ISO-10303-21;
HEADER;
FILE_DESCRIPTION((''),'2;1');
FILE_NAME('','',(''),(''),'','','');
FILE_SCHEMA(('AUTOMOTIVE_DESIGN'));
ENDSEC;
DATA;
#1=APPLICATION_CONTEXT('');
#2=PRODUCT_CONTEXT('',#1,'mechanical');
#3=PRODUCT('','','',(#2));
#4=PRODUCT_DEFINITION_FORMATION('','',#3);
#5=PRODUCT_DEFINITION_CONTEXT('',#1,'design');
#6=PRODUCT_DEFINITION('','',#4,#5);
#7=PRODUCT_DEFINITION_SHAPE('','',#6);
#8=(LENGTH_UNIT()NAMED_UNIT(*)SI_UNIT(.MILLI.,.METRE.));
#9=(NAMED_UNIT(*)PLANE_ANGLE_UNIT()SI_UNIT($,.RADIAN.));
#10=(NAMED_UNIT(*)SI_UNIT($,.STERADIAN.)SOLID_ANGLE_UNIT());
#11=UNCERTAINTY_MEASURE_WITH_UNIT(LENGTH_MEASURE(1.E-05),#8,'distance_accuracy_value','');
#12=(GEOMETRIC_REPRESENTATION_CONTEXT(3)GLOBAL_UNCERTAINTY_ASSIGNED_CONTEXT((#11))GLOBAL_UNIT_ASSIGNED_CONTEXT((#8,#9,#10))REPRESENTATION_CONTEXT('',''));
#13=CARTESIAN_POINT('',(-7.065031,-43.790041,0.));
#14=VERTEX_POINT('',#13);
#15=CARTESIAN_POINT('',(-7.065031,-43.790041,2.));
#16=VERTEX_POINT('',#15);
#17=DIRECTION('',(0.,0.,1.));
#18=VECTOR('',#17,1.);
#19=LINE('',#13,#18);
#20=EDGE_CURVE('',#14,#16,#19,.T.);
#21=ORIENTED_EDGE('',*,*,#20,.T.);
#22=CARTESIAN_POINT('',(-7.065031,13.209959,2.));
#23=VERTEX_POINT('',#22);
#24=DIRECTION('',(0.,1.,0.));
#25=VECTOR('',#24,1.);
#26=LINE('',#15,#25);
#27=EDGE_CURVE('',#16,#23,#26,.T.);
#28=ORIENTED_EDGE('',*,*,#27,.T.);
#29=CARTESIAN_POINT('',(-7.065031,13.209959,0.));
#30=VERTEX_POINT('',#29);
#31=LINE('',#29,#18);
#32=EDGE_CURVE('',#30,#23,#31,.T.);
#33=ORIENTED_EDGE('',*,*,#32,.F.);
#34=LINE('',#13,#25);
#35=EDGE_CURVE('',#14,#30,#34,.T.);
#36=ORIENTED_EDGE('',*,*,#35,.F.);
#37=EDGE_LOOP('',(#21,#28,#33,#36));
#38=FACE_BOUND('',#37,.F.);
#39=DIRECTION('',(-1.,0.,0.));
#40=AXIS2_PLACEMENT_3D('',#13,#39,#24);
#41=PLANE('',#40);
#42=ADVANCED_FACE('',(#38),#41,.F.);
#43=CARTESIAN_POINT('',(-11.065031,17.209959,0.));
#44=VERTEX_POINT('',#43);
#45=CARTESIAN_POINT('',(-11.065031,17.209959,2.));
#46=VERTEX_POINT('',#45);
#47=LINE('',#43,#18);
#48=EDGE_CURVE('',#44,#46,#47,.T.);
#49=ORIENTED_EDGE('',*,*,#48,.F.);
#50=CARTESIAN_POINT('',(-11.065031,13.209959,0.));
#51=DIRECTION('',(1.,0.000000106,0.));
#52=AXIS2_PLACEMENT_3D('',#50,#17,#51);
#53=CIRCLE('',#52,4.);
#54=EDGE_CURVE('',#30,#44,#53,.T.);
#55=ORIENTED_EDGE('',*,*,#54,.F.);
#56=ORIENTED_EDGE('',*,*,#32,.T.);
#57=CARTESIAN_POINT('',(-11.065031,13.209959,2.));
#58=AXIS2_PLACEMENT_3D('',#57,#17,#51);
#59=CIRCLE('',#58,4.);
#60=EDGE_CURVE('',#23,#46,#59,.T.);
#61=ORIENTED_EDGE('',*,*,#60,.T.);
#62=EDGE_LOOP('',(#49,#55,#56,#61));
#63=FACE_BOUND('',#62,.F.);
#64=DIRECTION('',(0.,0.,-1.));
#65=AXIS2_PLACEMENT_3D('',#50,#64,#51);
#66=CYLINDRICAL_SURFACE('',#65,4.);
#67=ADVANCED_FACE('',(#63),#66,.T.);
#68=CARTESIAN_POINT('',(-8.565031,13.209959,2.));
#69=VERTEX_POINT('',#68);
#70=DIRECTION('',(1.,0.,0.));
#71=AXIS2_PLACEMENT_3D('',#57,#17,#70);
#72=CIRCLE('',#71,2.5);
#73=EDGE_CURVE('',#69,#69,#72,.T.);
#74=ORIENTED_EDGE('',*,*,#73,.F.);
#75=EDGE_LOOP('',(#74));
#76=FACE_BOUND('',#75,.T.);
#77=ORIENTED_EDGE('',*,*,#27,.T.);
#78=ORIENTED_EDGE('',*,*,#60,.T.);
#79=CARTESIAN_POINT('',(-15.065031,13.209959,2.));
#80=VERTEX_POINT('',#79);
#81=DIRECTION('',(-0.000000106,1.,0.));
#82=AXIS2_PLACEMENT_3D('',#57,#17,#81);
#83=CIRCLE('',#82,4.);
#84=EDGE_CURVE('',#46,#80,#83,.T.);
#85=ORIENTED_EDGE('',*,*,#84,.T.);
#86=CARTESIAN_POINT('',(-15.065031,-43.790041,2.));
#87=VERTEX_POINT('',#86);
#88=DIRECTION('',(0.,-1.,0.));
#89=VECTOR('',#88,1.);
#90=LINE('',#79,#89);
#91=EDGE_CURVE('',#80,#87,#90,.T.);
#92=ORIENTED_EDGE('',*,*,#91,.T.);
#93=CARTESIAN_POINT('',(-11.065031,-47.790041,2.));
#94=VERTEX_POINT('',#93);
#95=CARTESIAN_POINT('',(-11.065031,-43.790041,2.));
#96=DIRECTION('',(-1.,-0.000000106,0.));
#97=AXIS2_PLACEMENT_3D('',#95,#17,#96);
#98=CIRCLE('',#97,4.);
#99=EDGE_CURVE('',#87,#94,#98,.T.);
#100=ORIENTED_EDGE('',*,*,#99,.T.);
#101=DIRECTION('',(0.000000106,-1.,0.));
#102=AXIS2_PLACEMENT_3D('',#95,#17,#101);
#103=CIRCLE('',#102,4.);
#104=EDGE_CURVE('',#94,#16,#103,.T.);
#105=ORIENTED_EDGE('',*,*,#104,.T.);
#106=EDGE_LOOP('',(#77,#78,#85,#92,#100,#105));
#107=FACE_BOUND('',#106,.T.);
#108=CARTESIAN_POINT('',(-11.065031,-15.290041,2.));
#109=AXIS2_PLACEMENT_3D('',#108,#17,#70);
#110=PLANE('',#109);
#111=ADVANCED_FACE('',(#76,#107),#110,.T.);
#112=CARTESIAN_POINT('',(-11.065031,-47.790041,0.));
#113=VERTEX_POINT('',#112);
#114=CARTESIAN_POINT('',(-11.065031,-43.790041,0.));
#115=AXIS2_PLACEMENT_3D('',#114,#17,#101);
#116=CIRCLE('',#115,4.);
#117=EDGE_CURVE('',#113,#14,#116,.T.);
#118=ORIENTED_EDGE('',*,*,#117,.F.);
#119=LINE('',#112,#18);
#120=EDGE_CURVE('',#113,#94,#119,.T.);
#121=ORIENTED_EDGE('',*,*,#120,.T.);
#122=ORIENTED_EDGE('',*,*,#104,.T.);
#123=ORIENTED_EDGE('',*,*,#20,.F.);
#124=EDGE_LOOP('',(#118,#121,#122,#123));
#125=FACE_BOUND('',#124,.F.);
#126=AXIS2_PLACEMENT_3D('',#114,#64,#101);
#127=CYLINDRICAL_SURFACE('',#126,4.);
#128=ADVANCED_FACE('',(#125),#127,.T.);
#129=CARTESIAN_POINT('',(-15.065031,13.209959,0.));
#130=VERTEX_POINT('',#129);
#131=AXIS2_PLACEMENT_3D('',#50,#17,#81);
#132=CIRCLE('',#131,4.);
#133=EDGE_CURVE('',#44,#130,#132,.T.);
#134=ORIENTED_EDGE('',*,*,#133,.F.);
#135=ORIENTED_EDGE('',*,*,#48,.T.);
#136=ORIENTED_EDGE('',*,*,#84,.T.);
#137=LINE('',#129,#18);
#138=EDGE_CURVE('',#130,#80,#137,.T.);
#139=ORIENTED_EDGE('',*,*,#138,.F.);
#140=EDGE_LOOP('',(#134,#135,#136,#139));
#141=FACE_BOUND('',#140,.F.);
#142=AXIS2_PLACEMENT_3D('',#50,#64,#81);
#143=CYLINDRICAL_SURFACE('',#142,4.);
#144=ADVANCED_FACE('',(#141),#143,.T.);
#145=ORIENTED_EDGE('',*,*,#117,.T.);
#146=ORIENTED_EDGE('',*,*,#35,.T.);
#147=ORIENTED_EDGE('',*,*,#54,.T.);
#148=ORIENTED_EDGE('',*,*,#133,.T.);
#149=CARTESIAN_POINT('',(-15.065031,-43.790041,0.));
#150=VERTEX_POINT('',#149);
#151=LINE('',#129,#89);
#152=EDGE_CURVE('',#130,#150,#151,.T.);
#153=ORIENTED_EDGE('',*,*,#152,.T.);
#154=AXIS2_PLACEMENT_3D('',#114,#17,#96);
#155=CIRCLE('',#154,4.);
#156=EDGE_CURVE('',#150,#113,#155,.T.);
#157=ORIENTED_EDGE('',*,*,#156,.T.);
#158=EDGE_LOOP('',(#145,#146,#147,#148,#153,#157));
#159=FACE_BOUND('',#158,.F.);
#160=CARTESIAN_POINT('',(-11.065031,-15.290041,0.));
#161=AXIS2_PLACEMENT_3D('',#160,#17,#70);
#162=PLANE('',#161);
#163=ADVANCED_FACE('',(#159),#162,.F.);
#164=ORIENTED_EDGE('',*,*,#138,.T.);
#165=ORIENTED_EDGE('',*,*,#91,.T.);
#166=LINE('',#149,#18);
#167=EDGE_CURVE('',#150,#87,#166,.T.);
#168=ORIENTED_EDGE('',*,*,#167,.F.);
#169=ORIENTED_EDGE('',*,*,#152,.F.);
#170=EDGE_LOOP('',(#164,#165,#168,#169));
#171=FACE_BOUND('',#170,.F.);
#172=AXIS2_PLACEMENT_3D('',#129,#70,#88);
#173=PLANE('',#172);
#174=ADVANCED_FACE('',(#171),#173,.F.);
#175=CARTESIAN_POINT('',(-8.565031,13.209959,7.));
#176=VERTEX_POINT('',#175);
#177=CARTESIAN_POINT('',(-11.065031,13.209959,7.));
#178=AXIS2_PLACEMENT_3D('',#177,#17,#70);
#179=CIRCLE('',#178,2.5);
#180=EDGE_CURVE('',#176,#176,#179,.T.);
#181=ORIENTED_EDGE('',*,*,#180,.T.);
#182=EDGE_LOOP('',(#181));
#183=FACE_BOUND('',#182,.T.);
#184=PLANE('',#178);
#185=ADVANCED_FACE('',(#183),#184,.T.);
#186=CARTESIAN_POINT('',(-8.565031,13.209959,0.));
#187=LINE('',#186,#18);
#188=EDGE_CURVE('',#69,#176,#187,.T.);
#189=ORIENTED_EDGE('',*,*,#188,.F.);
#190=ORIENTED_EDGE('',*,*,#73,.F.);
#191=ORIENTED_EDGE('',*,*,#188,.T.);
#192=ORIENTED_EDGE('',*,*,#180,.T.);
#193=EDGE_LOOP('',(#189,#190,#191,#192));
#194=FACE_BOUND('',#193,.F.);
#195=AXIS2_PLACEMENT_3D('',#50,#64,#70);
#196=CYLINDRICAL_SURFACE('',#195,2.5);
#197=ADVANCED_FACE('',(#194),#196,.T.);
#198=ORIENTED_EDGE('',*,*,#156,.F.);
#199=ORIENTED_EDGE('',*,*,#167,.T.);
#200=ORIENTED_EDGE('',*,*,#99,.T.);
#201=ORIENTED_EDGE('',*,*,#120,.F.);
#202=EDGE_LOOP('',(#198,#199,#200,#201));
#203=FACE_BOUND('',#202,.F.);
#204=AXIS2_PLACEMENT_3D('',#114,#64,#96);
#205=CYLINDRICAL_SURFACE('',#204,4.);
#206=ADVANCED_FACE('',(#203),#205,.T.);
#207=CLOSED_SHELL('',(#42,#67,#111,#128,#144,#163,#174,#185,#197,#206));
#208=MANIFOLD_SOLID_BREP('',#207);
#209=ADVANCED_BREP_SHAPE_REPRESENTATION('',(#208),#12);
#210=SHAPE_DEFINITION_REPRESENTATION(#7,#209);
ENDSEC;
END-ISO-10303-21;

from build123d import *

# Parameters (mm, degrees)
F1_R     = 2.5
F2_DEPTH = 7
F3_DEPTH = 2


with BuildPart() as f2:
    # F1 (on offset) → F2 (new body)
    with BuildSketch(Plane.XY):
        with Locations((-11.065031, 13.209959)):
            Circle(F1_R)
    extrude(amount=F2_DEPTH)

    # F1 (on offset) → F3 (join)
    with BuildSketch(Plane.XY):
        with BuildLine():
            ThreePointArc((-11.065031, 17.209959), (-13.893458, 16.038386), (-15.065031, 13.209959))
            Line((-15.065031, 13.209959), (-15.065031, -43.790041))
            ThreePointArc((-15.065031, -43.790041), (-13.893458, -46.618468), (-11.065031, -47.790041))
            ThreePointArc((-11.065031, -47.790041), (-8.236604, -46.618468), (-7.065031, -43.790041))
            Line((-7.065031, -43.790041), (-7.065031, 13.209959))
            ThreePointArc((-7.065031, 13.209959), (-8.236604, 16.038386), (-11.065031, 17.209959))
        make_face()
        with Locations((-11.065031, 13.209959)):
            Circle(F1_R, mode=Mode.SUBTRACT)
    extrude(amount=F3_DEPTH)


solid = f2.part
